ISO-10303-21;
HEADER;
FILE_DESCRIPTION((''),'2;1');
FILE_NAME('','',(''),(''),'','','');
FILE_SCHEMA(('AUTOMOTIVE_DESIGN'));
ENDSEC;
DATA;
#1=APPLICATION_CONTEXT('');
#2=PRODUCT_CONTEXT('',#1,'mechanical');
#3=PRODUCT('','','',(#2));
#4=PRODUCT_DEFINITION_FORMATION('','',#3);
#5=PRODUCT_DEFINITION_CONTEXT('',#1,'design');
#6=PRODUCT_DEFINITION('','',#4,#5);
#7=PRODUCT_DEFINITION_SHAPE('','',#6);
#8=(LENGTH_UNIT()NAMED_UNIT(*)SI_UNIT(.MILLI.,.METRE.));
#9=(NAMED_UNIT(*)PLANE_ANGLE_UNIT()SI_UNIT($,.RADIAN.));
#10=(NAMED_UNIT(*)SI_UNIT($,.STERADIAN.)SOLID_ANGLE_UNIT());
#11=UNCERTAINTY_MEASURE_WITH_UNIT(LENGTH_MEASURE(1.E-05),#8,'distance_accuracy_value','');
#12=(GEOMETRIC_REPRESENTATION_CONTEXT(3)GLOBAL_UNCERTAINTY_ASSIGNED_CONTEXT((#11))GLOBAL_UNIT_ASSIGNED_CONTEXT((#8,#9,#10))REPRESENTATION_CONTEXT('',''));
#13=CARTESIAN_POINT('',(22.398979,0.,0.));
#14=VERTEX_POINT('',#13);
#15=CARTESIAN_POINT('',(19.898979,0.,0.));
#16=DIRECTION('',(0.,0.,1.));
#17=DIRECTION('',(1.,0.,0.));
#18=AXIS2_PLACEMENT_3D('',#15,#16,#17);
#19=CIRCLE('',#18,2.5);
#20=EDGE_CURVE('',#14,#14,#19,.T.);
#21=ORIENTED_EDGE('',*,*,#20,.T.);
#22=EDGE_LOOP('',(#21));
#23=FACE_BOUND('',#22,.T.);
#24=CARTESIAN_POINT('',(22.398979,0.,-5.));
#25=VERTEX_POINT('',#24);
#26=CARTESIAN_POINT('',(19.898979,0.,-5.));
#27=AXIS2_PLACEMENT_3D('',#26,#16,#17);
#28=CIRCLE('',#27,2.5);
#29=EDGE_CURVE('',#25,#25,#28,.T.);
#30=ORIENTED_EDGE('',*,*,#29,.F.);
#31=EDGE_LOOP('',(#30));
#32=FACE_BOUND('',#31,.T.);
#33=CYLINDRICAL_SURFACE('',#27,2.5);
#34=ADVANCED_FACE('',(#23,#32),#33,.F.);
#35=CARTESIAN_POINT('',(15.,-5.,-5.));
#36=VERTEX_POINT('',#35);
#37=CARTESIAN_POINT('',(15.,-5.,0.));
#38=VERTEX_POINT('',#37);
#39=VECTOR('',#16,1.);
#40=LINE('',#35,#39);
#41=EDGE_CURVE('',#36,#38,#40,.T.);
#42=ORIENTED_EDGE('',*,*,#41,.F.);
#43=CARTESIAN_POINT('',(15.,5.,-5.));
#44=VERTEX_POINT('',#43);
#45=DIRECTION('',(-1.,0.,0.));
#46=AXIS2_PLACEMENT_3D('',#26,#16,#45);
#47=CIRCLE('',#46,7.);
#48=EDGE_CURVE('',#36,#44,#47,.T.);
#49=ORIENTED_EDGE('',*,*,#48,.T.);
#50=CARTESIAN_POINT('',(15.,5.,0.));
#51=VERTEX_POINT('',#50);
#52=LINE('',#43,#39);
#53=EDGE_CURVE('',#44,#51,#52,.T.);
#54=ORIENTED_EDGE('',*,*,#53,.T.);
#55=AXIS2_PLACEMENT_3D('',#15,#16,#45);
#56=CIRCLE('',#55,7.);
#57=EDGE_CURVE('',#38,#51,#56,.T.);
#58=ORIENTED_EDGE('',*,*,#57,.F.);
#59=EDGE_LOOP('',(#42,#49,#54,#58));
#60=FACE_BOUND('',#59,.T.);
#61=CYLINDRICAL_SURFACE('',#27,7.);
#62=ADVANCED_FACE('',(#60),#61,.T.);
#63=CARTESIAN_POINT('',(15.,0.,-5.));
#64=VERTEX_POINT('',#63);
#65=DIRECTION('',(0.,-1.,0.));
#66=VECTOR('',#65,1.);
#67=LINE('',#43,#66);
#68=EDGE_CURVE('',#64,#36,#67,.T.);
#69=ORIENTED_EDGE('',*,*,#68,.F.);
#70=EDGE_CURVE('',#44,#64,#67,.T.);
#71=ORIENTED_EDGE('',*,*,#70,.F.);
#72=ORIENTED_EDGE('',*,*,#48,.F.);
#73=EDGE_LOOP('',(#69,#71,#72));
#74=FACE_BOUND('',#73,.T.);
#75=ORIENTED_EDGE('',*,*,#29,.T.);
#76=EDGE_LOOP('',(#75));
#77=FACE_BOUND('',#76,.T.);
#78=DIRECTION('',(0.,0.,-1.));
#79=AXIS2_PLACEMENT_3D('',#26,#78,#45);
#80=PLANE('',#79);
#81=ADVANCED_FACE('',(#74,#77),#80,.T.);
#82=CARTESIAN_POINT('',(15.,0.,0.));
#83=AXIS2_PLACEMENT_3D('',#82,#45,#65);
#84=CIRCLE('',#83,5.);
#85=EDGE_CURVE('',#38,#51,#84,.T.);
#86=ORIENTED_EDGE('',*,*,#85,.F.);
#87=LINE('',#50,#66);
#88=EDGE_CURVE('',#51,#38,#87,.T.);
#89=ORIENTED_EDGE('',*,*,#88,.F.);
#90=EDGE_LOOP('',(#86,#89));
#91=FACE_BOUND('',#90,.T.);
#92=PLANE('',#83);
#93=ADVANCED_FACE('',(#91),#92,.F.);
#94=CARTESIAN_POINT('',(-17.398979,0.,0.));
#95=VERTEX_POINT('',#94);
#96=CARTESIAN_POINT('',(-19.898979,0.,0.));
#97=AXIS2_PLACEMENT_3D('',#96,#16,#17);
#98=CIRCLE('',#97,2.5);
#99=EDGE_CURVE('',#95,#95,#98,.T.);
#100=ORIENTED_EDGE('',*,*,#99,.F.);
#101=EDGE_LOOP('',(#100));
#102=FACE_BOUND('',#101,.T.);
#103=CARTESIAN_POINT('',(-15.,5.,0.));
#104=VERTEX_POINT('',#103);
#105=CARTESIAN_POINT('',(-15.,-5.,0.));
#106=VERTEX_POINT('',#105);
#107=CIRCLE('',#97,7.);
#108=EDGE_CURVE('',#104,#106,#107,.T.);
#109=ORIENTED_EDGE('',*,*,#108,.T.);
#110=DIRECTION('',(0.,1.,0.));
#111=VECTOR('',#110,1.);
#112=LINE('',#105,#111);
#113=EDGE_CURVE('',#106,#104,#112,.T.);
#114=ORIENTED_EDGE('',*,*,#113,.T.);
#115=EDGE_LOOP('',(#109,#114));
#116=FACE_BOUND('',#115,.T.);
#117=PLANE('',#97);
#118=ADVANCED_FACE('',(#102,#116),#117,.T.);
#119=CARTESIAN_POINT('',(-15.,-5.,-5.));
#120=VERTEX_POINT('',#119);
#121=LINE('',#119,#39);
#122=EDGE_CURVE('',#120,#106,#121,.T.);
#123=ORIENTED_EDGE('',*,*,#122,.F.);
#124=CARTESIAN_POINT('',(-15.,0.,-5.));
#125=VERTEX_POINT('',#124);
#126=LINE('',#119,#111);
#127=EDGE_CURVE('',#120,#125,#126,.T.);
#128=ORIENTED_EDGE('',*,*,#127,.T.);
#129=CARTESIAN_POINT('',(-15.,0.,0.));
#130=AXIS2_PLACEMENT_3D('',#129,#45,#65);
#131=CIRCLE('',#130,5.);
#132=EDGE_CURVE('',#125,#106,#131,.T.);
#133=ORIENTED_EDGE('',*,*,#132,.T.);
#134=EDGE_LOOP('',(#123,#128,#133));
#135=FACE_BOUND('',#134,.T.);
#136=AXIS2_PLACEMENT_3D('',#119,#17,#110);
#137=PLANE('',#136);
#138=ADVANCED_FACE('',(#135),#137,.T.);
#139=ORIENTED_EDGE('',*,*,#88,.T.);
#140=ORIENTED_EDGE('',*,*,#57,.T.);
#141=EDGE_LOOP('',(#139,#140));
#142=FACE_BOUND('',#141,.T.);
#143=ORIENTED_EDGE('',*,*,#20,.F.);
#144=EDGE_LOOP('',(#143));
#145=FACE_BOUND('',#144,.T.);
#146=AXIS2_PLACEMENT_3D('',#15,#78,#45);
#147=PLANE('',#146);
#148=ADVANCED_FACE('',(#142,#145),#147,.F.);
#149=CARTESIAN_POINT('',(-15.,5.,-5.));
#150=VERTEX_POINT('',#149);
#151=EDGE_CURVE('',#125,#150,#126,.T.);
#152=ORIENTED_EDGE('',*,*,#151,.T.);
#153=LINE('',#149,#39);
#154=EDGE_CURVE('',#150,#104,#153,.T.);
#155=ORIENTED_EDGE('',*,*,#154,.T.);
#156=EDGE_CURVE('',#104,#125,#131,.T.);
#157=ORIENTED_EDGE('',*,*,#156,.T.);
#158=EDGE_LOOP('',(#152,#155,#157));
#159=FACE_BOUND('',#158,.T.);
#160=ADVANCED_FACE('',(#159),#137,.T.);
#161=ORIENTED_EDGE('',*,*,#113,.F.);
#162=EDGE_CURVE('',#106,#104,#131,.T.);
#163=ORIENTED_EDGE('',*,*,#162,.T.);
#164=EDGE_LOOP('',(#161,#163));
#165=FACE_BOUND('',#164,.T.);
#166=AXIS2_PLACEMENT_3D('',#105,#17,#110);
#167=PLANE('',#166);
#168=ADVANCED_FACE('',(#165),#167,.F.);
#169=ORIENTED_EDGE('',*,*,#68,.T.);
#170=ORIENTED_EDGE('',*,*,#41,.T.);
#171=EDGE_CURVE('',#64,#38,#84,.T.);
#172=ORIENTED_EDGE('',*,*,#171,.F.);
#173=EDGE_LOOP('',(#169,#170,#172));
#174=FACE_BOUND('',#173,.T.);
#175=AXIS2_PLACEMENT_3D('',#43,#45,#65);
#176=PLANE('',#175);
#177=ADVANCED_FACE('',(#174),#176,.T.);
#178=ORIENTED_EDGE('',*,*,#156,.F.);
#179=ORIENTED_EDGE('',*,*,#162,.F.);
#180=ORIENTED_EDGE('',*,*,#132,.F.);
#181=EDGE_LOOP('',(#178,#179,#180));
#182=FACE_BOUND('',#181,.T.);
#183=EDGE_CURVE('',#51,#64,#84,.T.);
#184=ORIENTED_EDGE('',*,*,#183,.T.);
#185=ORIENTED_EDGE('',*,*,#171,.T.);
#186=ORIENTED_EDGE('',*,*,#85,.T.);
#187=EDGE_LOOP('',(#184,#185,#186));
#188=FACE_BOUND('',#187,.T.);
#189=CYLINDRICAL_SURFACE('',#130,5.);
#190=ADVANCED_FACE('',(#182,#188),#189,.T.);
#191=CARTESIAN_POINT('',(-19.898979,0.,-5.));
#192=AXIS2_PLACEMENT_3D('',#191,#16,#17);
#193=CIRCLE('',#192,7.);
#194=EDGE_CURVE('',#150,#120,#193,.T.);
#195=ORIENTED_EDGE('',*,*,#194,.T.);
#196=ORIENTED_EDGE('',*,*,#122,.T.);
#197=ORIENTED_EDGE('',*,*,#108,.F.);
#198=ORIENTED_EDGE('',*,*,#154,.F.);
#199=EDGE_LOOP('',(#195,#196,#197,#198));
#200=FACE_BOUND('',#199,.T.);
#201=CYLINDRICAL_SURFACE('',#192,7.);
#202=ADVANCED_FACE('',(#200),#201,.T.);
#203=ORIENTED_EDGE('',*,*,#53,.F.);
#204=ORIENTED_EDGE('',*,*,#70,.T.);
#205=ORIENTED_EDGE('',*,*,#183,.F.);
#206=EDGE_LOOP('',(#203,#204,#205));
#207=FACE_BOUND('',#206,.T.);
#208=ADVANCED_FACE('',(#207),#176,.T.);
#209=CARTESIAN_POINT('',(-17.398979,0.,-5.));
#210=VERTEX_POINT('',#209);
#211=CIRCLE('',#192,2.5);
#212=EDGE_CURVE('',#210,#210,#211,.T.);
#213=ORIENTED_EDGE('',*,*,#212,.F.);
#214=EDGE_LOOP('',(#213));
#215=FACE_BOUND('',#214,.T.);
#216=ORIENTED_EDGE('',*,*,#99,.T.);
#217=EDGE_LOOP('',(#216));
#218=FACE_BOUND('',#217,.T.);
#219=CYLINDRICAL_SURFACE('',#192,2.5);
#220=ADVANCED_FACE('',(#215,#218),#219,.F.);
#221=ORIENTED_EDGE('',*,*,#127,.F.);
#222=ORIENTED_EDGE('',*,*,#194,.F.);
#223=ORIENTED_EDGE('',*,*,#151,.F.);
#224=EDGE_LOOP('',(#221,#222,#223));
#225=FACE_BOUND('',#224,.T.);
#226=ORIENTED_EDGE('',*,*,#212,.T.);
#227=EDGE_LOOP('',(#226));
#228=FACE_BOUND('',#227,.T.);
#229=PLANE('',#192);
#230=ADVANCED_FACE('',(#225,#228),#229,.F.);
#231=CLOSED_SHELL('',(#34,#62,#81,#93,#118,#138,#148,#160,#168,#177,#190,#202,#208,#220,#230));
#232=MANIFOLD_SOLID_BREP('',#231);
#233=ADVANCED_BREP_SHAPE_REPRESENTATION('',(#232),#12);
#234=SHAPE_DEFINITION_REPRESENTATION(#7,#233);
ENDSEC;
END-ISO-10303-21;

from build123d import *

# Parameters (mm, degrees)
SKETCH1_W           = 30
SKETCH1_H           = 5
SKETCH3_R           = 2.5
BOSS_EXTRUDE2_DEPTH = 5


with BuildPart() as part:
    # Sketch1 → Revolve-Thin1 (revolve)
    with BuildSketch(Plane.XY):
        with Locations((0, 2.5)):
            Rectangle(SKETCH1_W, SKETCH1_H)
    revolve(axis=Axis((-15, 0, 0), (1, 0, 0)))

    # Sketch3 → Boss-Extrude2 (add)
    with BuildSketch(Plane.XY):
        with BuildLine():
            Line((15, 5), (15, -5))
            ThreePointArc((15, -5), (26.898979486, 0), (15, 5))
        make_face()
        with Locations((19.898979486, 0)):
            Circle(SKETCH3_R, mode=Mode.SUBTRACT)
        with BuildLine():
            Line((-15, -5), (-15, 5))
            ThreePointArc((-15, 5), (-26.898979486, 0), (-15, -5))
        make_face()
        with Locations((-19.898979486, 0)):
            Circle(SKETCH3_R, mode=Mode.SUBTRACT)
    extrude(amount=-BOSS_EXTRUDE2_DEPTH)


solid = part.part
